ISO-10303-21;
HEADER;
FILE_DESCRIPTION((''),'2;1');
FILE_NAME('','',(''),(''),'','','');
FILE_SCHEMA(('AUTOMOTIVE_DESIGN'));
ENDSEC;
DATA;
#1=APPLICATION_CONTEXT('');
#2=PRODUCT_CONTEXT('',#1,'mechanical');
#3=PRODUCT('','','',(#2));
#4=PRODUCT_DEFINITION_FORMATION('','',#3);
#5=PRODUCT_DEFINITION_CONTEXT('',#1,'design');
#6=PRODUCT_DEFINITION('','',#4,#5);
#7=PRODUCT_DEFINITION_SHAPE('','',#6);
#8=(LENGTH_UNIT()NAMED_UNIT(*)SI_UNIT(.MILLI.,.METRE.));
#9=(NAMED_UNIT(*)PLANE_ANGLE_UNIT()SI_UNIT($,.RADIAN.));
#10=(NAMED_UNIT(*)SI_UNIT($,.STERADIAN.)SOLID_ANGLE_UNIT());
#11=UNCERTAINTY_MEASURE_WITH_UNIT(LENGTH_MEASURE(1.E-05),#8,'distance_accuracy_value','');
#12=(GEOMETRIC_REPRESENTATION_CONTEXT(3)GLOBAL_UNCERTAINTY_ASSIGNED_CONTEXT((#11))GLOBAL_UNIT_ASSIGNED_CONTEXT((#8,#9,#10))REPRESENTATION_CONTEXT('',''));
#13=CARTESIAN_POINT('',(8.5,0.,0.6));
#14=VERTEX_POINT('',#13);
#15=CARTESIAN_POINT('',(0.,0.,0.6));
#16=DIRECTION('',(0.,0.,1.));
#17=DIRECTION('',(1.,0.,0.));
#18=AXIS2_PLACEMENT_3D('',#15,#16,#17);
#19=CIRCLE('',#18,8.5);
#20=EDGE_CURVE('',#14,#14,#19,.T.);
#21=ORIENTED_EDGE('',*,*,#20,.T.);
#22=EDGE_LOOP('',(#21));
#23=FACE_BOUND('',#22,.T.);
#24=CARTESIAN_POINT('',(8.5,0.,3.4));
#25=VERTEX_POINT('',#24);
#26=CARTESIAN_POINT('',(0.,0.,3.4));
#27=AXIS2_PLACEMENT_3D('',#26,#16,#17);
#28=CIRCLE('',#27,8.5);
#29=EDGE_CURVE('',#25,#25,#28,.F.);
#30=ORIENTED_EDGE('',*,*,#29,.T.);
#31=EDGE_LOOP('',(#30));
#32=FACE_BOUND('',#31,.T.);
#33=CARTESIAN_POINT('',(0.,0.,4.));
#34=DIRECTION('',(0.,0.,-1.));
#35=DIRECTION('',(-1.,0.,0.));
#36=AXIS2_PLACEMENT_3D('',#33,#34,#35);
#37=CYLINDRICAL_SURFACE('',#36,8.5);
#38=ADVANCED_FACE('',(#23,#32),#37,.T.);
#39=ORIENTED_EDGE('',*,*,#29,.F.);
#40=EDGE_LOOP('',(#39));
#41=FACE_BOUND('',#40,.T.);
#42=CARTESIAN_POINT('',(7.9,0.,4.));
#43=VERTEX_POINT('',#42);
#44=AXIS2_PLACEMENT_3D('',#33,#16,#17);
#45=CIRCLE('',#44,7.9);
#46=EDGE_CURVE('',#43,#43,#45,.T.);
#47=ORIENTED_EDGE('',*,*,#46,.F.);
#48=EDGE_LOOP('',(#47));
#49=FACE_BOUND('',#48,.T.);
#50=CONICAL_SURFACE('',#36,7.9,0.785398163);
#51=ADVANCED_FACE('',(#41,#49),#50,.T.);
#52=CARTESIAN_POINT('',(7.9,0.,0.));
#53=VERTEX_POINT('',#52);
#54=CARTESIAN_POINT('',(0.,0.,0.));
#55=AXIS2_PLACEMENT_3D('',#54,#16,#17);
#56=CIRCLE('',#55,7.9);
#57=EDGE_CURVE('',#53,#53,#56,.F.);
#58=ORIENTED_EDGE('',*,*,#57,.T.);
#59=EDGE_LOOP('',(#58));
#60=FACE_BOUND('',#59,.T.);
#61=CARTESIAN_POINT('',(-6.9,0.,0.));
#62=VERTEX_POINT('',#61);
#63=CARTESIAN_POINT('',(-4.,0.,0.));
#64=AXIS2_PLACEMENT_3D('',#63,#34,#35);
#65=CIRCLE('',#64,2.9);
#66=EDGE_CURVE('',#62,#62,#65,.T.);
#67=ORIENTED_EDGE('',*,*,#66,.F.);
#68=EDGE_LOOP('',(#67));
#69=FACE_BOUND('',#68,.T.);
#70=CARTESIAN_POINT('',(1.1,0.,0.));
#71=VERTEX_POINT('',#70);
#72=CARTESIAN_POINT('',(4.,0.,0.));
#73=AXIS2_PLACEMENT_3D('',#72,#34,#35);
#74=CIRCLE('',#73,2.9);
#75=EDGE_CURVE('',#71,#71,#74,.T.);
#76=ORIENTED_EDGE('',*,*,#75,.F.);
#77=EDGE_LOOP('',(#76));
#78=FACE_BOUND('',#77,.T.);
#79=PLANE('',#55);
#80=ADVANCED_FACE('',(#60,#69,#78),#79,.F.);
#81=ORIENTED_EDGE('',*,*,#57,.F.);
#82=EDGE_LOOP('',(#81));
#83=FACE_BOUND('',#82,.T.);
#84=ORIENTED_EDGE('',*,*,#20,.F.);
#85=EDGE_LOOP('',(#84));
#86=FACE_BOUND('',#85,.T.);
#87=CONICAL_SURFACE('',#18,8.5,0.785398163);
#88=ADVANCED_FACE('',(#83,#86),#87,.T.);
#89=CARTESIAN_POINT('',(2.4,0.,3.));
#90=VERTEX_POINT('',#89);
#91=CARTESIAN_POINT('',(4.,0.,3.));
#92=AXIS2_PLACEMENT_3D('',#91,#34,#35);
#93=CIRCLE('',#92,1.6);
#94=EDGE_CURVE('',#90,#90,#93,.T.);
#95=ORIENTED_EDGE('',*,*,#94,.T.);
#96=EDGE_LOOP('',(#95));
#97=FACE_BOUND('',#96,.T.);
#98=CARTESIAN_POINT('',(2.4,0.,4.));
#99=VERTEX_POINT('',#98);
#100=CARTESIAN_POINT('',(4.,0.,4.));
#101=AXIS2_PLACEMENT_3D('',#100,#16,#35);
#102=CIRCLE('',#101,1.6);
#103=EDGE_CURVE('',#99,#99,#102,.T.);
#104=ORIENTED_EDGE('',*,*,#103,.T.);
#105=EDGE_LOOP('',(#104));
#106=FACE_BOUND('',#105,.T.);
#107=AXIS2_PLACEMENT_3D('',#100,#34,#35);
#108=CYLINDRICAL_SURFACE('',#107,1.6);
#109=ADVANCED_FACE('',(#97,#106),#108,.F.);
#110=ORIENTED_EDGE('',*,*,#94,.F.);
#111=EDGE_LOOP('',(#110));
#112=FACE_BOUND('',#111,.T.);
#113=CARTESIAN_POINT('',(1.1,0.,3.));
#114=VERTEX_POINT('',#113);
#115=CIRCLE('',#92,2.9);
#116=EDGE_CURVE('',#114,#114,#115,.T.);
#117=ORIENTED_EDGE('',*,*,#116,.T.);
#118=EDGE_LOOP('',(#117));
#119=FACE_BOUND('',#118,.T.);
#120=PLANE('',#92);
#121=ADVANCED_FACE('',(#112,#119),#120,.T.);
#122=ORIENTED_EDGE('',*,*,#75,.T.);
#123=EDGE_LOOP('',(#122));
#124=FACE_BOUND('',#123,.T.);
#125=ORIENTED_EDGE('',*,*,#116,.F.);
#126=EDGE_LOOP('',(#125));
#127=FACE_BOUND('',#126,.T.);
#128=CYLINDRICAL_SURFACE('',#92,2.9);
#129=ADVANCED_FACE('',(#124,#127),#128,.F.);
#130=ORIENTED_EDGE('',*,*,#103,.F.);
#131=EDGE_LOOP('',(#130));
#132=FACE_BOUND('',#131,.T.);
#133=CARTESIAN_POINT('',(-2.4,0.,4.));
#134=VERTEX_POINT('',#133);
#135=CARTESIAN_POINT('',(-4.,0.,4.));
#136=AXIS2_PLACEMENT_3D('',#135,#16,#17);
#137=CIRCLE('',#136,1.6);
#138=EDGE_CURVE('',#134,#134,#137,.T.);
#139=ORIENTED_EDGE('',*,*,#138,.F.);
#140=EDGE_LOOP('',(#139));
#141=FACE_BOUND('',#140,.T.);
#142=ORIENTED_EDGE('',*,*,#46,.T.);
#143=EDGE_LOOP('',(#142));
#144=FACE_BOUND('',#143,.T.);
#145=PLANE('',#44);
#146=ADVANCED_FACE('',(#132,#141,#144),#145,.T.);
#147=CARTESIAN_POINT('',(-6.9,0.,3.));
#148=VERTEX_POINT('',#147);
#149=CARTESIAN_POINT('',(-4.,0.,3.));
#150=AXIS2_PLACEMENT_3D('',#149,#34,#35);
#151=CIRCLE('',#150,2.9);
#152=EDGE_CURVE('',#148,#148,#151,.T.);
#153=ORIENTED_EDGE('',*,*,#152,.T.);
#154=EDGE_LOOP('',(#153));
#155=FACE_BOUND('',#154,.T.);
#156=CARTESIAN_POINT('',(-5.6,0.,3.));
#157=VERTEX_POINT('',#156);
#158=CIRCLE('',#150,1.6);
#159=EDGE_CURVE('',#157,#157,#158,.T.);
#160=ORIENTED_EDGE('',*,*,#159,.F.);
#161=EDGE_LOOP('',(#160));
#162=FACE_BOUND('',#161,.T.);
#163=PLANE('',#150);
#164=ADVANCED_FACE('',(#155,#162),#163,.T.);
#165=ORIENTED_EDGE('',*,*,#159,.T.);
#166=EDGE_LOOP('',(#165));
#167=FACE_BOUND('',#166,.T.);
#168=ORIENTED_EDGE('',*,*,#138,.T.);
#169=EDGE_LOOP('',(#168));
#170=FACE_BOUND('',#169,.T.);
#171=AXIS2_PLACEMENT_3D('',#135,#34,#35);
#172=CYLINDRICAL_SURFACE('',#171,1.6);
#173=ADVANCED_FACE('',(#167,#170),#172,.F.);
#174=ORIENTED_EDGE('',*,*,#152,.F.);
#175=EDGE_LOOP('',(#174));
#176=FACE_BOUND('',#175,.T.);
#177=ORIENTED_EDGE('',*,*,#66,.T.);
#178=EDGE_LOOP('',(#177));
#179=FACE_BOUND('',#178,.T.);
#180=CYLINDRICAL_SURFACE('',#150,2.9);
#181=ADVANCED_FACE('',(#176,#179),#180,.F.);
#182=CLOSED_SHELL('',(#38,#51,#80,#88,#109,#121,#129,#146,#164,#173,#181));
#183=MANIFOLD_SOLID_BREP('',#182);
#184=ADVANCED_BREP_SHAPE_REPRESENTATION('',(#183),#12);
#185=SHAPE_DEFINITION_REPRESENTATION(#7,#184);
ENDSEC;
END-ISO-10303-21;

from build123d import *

# Parameters (mm, degrees)
ESQUISSE1_R             = 8.5
ESQUISSE1_R_2           = 1.6
BOSS_EXTRU_1_DEPTH      = 4
ESQUISSE3_R             = 2.9
ENL_V_MAT_EXTRU_1_DEPTH = 3
CHANFREIN1_SIZE         = 0.6


with BuildPart() as part:
    # Esquisse1 → Boss.-Extru.1 (new body)
    with BuildSketch(Plane.XY):
        Circle(ESQUISSE1_R)
        with Locations((-4, 0)):
            Circle(ESQUISSE1_R_2, mode=Mode.SUBTRACT)
        with Locations((4, 0)):
            Circle(ESQUISSE1_R_2, mode=Mode.SUBTRACT)
    extrude(amount=BOSS_EXTRU_1_DEPTH)

    # Esquisse3 → Enlèv. mat.-Extru.1 (cut)
    with BuildSketch(Plane(origin=(0, 0, 0), x_dir=(-1, 0, 0), z_dir=(0, 0, -1))):
        with Locations((4, 0)):
            Circle(ESQUISSE3_R)
        with Locations((-4, 0)):
            Circle(ESQUISSE3_R)
    extrude(amount=-ENL_V_MAT_EXTRU_1_DEPTH, mode=Mode.SUBTRACT)

    # Chanfrein1
    chanfrein1_edges = [part.edges().sort_by_distance(p)[0] for p in [
        (-8.5, 0, 0),
        (-8.5, 0, 4),
    ]]
    chamfer(chanfrein1_edges, length=CHANFREIN1_SIZE)


solid = part.part
